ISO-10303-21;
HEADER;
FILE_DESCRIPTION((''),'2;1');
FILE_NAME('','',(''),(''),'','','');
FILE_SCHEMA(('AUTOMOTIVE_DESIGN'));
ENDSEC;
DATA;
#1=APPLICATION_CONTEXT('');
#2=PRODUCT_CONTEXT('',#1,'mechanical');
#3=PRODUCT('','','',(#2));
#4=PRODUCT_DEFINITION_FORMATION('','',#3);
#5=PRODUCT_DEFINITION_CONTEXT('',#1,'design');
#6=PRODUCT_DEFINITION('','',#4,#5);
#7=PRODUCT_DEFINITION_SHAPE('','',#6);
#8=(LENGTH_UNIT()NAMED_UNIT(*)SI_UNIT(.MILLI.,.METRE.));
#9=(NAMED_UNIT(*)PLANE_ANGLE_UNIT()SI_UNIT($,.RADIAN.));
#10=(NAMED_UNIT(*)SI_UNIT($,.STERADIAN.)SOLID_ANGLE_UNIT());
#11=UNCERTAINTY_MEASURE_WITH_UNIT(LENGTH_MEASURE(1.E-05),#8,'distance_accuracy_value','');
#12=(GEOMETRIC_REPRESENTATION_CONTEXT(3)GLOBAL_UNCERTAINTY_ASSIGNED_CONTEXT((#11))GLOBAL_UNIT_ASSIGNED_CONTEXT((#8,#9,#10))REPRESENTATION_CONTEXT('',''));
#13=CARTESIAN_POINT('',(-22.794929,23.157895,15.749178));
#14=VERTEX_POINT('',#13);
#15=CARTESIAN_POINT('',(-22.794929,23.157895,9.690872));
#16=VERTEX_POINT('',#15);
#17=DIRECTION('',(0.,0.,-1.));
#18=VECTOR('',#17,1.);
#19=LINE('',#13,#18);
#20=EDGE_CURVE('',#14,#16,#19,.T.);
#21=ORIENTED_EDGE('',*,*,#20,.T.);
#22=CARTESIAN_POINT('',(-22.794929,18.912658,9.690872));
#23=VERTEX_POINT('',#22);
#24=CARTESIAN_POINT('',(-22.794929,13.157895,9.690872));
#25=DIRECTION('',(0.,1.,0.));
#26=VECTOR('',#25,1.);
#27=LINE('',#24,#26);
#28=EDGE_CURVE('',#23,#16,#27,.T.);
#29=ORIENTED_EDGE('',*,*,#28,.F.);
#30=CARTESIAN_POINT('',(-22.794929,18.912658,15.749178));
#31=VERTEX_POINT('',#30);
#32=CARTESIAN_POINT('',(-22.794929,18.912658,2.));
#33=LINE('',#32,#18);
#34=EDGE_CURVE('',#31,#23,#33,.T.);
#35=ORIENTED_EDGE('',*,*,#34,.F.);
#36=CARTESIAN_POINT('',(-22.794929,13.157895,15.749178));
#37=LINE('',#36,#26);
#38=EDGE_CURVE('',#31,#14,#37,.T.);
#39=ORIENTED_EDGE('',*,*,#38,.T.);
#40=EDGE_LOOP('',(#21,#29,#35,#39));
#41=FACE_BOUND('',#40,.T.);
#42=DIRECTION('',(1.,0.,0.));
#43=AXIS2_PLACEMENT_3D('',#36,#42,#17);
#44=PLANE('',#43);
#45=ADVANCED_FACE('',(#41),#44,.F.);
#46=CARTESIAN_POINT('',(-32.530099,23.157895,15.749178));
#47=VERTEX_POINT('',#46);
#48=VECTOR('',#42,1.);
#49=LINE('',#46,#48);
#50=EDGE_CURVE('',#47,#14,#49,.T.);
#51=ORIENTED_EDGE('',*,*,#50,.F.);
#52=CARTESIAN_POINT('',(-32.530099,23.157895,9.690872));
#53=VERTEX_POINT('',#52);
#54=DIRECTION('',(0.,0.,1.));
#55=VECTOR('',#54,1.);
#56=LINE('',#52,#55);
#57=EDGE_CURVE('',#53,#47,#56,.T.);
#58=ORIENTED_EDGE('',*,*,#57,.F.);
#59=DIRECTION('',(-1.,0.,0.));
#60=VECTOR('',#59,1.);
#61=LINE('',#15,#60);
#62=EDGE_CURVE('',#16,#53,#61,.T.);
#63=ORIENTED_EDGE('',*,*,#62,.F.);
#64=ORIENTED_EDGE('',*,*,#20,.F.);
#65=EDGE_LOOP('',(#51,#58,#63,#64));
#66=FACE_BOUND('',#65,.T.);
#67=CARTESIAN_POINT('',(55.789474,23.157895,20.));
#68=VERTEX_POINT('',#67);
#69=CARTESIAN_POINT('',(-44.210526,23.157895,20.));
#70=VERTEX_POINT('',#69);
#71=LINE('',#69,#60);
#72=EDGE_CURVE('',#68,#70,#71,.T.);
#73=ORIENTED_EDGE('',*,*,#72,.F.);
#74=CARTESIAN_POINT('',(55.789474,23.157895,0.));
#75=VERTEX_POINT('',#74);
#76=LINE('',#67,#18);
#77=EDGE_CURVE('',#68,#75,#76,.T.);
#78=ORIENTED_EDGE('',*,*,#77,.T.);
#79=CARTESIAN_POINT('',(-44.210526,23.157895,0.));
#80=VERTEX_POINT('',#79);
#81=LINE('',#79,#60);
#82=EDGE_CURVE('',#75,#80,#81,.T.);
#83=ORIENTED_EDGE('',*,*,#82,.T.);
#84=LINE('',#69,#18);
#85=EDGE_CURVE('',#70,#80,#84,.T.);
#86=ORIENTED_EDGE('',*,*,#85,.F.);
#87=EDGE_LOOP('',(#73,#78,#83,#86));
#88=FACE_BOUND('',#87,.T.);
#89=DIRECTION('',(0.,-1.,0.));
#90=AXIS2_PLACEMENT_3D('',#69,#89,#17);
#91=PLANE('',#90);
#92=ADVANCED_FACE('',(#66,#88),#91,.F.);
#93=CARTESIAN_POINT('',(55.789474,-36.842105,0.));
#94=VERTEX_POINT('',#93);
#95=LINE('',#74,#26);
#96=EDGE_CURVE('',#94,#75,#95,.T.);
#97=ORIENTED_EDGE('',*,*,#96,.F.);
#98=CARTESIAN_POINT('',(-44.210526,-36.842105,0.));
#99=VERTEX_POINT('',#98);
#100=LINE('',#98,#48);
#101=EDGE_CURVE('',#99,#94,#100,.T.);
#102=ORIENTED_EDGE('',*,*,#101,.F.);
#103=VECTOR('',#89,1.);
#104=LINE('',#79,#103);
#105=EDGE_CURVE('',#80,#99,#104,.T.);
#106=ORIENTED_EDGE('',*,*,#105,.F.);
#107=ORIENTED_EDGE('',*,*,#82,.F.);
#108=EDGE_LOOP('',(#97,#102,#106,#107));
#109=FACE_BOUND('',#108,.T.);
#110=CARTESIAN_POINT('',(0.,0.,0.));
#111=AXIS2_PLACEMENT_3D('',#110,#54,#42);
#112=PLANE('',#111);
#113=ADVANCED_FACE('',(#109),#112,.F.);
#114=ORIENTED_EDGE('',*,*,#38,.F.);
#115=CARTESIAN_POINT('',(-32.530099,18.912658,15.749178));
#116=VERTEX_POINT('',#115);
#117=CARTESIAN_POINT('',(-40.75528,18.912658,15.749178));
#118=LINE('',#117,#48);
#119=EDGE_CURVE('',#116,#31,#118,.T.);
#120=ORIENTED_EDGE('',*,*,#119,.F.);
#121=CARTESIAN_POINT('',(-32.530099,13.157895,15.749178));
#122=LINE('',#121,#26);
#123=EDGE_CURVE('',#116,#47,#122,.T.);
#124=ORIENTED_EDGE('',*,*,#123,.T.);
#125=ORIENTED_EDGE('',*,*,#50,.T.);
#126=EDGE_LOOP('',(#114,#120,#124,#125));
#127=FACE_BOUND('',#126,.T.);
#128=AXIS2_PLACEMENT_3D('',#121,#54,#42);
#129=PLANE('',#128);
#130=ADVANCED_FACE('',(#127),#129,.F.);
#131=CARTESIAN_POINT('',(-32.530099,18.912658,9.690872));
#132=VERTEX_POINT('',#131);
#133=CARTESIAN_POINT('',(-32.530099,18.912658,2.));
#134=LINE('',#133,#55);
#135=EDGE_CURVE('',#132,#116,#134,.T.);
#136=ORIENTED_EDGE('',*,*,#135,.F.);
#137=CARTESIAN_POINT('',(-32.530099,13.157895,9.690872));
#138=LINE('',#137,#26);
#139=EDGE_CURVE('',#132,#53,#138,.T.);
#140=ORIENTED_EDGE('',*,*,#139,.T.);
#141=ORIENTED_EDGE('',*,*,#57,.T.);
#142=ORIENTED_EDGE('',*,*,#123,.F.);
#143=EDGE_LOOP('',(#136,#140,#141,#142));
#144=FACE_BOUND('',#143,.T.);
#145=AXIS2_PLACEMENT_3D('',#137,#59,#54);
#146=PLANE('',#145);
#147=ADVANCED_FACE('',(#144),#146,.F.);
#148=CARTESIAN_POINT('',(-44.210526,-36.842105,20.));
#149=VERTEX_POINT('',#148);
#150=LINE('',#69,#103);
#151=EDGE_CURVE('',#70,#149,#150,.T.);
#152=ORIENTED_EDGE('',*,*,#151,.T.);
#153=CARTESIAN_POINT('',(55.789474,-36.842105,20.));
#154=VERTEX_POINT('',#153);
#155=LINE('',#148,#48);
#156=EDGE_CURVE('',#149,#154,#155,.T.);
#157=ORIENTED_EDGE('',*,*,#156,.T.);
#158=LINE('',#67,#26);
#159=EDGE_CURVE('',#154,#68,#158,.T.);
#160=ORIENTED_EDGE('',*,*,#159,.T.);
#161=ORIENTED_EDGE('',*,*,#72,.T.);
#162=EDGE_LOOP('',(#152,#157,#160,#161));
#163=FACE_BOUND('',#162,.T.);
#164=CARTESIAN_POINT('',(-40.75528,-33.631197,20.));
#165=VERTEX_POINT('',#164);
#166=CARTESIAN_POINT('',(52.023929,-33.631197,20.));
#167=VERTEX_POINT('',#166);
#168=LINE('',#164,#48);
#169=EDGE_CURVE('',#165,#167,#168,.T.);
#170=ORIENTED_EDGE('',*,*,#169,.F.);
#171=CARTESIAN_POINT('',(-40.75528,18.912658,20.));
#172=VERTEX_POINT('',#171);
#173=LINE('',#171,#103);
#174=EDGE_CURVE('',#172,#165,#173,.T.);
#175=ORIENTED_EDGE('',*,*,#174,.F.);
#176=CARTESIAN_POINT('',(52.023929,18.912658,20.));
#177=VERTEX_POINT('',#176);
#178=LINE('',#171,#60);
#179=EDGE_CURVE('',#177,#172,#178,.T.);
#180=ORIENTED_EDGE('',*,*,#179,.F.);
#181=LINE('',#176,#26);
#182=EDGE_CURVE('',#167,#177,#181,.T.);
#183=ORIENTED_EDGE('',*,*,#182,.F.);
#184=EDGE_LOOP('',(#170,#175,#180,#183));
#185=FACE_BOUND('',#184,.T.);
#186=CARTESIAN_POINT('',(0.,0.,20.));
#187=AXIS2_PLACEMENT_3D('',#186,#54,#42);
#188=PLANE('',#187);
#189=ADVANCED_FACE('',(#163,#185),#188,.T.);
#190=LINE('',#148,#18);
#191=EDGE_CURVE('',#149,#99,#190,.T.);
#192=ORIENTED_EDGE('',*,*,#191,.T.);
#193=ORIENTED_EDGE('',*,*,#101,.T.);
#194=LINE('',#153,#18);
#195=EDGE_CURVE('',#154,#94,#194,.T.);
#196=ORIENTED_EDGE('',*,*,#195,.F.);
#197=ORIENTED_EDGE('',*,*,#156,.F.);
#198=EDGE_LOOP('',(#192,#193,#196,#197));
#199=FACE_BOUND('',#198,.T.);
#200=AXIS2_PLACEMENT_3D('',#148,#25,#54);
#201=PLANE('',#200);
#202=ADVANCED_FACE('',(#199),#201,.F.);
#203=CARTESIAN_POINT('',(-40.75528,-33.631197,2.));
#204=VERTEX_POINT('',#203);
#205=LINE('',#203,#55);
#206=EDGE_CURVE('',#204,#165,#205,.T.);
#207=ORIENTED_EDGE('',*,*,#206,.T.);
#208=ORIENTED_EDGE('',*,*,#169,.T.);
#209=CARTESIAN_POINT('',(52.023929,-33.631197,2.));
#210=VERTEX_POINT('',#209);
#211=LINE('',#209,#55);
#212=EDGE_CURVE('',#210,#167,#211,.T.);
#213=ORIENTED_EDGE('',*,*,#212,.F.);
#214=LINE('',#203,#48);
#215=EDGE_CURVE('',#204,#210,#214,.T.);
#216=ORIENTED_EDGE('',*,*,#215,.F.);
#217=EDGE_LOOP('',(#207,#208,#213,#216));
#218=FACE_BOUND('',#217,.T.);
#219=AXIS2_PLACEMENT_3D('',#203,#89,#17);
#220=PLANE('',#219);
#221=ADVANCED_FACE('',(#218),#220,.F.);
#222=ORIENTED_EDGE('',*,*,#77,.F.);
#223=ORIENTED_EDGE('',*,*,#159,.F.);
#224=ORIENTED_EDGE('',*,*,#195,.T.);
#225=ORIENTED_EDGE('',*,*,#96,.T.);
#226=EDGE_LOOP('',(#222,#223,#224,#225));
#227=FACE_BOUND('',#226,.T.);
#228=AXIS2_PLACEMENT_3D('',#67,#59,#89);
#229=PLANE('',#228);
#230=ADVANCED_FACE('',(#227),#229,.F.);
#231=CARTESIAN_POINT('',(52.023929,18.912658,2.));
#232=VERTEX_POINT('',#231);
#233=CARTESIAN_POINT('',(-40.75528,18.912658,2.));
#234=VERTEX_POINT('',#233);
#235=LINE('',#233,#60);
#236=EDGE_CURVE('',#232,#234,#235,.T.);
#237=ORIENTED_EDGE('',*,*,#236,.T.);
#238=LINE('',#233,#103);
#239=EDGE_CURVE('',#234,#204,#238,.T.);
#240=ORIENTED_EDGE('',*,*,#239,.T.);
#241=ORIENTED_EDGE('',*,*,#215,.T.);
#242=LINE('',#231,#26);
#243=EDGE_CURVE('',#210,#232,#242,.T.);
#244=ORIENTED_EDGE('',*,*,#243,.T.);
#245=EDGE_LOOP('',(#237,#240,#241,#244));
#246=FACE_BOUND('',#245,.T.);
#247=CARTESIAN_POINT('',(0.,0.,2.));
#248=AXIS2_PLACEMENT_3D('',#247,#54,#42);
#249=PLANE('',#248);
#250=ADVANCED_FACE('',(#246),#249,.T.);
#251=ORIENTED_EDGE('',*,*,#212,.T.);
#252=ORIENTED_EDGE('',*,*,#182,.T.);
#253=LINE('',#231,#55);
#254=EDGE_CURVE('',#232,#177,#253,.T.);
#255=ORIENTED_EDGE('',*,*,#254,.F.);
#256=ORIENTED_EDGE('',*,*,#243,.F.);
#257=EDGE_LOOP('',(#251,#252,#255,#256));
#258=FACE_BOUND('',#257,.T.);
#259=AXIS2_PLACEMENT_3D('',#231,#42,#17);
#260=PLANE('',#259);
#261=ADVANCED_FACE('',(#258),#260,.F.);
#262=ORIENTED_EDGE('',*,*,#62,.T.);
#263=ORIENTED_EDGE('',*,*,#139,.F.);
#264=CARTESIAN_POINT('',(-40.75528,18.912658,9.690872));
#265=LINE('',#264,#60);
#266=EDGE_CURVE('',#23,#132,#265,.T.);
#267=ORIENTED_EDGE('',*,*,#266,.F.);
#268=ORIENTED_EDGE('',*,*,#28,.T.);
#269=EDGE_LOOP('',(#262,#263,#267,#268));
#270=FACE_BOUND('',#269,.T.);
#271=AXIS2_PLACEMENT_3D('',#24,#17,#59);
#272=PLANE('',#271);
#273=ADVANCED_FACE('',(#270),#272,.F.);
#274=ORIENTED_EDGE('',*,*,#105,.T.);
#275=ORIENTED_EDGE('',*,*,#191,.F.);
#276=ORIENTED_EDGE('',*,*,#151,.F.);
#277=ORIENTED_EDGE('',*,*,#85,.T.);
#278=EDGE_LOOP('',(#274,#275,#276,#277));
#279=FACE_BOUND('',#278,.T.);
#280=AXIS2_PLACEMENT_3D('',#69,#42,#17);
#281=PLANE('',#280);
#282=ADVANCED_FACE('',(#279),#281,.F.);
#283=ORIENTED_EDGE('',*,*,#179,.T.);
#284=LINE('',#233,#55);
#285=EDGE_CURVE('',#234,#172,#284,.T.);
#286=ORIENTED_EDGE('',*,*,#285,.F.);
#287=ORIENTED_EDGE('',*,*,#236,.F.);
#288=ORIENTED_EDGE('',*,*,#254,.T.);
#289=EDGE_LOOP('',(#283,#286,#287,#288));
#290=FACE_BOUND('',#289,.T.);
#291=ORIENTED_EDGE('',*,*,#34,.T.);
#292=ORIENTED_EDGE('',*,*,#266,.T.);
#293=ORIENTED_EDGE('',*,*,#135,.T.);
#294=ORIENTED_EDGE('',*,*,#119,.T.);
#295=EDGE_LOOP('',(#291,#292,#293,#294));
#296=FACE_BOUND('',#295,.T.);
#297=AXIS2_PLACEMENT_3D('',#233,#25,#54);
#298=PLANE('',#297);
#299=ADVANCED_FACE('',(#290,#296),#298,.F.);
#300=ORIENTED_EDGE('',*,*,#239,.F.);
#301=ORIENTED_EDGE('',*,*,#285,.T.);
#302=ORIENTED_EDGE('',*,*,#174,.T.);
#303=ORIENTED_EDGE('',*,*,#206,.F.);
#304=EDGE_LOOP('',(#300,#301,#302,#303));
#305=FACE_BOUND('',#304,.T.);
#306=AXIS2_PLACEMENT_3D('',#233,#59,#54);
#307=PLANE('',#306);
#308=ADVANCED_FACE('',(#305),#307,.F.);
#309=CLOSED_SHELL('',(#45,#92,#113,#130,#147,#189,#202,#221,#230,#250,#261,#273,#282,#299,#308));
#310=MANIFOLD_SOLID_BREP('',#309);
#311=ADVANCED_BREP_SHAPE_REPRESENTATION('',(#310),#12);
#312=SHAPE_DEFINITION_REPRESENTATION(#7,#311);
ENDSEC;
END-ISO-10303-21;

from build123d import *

# Parameters (mm, degrees)
SKETCH1_W           = 100
SKETCH1_H           = 60
BOSS_EXTRUDE2_DEPTH = 20
SKETCH3_W           = 92.779208915
SKETCH3_H           = 52.543855216
CUT_EXTRUDE2_DEPTH  = 18
SKETCH5_W           = 9.735170028
SKETCH5_H           = 6.058306193
CUT_EXTRUDE3_DEPTH  = 10


with BuildPart() as part:
    # Sketch1 → Boss-Extrude2 (new body)
    with BuildSketch(Plane.XY):
        with Locations((5.789473684, -6.842105263)):
            Rectangle(SKETCH1_W, SKETCH1_H)
    extrude(amount=BOSS_EXTRUDE2_DEPTH)

    # Sketch3 → Cut-Extrude2 (cut)
    with BuildSketch(Plane.XY.offset(20)):
        with Locations((5.634324506, -7.359269192)):
            Rectangle(SKETCH3_W, SKETCH3_H)
    extrude(amount=-CUT_EXTRUDE2_DEPTH, mode=Mode.SUBTRACT)

    # Sketch5 → Cut-Extrude3 (cut)
    with BuildSketch(Plane(origin=(0, 23.157894737, 0), x_dir=(1, 0, 0), z_dir=(0, 1, 0))):
        with Locations((-27.662514426, -12.720024884)):
            Rectangle(SKETCH5_W, SKETCH5_H)
    extrude(amount=-CUT_EXTRUDE3_DEPTH, mode=Mode.SUBTRACT)


solid = part.part
